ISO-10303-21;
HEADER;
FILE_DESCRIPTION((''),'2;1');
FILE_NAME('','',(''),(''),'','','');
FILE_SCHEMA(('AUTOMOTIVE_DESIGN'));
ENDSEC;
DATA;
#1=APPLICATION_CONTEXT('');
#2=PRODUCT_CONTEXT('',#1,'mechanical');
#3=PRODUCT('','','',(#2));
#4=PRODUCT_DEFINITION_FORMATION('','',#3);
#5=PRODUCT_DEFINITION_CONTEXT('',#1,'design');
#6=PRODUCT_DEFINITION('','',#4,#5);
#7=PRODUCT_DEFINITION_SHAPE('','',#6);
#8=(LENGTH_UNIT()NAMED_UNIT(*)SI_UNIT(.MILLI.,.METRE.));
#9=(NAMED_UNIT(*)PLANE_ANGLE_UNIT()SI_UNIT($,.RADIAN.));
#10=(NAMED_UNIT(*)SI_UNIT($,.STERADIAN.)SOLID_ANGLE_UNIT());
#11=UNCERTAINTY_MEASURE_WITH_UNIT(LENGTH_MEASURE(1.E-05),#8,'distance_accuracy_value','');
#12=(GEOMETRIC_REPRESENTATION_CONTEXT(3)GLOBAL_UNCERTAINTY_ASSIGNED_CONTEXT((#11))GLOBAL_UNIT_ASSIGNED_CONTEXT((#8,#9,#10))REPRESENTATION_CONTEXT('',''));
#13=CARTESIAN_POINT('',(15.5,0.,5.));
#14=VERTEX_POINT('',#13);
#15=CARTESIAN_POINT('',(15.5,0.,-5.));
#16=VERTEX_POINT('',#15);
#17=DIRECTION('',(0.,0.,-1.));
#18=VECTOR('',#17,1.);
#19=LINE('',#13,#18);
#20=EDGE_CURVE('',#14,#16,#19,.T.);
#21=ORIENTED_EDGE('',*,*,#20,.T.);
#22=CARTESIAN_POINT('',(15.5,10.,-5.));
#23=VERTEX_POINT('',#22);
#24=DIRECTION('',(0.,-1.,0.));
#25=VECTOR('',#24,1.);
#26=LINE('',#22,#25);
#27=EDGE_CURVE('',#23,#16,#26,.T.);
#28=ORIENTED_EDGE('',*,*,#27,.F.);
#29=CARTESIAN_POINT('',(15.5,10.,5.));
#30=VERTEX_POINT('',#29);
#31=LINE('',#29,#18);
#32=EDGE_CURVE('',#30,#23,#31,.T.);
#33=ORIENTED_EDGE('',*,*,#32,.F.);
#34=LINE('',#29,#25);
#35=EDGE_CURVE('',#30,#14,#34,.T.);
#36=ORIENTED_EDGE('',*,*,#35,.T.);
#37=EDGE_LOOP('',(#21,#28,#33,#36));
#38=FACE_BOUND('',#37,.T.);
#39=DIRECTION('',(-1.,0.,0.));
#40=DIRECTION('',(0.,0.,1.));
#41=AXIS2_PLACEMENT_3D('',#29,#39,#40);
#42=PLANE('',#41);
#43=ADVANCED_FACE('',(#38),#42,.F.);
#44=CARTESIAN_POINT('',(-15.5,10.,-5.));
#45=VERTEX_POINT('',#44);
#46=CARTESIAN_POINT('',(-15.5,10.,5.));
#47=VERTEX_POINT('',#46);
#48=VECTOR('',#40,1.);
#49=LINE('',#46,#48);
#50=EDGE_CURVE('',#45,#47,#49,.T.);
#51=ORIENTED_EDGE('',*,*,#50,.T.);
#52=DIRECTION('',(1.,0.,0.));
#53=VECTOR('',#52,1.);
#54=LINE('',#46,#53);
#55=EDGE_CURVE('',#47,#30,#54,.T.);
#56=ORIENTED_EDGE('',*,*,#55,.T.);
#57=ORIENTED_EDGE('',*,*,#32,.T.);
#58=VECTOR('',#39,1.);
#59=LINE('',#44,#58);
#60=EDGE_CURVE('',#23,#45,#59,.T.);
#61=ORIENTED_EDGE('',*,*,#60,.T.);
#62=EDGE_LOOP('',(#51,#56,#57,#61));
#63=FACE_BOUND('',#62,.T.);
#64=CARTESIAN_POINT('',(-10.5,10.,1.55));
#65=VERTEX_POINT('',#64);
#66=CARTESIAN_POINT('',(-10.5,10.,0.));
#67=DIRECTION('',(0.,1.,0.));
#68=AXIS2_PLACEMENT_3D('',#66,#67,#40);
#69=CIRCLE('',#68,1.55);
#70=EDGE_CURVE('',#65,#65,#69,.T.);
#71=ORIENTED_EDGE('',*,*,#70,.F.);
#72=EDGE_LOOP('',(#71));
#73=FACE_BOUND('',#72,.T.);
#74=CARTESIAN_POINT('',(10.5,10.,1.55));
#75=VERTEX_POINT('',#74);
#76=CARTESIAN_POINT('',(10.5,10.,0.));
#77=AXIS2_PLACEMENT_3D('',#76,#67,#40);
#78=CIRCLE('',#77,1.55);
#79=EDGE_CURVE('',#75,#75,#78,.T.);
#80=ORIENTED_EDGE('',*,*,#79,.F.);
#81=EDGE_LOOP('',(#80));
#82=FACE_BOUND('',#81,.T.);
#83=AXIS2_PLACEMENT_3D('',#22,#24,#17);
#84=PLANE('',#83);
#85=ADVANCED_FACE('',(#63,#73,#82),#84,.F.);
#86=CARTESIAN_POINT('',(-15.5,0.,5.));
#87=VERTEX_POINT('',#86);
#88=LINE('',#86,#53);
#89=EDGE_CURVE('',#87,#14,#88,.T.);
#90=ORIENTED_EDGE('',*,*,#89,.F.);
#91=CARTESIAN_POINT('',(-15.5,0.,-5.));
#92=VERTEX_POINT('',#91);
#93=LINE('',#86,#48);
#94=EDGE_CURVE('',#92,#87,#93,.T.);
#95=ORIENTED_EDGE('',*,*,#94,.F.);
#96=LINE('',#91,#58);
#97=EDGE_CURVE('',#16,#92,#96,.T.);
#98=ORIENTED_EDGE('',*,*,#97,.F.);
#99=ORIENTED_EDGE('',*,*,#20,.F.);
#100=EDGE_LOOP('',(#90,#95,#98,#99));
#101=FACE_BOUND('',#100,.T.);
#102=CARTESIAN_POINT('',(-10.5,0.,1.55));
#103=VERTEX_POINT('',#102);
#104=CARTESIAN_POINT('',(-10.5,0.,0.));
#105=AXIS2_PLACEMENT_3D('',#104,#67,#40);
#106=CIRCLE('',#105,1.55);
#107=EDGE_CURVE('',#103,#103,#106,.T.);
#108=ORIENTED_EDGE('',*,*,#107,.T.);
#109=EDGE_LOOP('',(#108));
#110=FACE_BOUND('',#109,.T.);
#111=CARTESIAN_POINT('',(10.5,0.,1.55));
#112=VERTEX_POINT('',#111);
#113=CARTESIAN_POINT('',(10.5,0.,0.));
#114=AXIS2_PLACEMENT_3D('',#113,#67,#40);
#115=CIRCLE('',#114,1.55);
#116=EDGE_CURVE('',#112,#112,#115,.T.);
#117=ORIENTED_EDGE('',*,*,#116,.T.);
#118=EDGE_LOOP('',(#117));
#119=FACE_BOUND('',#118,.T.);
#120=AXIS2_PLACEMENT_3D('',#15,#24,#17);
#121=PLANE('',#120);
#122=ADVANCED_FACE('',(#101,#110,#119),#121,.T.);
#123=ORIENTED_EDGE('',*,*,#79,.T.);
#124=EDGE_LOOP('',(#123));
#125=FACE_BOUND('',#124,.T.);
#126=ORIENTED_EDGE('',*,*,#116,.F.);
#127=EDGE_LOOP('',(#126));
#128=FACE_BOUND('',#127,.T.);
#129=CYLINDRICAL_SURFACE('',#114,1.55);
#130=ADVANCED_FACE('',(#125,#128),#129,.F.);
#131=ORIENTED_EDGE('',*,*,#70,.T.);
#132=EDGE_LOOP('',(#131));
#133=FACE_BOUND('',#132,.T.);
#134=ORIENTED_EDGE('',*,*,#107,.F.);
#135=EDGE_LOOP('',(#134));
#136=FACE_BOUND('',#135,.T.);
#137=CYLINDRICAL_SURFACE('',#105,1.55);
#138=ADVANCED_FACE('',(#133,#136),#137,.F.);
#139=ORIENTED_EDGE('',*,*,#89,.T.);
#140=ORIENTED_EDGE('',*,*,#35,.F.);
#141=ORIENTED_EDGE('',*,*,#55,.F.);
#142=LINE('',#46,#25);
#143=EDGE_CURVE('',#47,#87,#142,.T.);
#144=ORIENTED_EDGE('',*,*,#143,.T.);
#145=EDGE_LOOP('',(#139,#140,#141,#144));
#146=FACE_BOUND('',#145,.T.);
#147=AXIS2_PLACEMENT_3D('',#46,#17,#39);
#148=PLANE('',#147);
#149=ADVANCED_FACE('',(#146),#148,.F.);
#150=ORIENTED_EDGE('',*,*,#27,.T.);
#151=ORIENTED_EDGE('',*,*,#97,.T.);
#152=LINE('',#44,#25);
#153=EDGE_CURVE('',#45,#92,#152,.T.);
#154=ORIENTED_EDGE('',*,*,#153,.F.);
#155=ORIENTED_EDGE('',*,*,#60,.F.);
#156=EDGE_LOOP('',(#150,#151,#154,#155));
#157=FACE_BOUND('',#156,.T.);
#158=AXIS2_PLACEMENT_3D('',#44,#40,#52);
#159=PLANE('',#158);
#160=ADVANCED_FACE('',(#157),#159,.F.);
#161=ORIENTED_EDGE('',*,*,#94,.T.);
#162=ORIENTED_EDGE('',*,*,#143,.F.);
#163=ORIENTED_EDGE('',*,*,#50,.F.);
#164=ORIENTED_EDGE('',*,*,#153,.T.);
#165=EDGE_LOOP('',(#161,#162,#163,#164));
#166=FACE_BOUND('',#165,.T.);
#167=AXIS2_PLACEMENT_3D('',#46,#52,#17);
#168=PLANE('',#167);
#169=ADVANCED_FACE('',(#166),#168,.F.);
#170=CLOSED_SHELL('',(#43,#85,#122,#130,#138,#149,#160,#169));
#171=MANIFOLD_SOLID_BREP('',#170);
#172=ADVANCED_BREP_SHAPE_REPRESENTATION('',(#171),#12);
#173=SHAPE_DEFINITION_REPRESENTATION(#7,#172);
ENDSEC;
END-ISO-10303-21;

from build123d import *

# Parameters (mm, degrees)
SKETCH_1_W          = 31
SKETCH_1_H          = 10
EXTRUDE_1_DEPTH     = 10
SKETCH_2_R          = 1.55
CUT_EXTRUDE_1_DEPTH = 20.111514854


with BuildPart() as part:
    # ｽｹｯﾁ1 → ﾎﾞｽ - 押し出し1 (new body)
    with BuildSketch(Plane(origin=(0, 0, 0), x_dir=(1, 0, 0), z_dir=(0, 1, 0))):
        Rectangle(SKETCH_1_W, SKETCH_1_H)
    extrude(amount=EXTRUDE_1_DEPTH)

    # ｽｹｯﾁ2 → ｶｯﾄ - 押し出し1 (cut, through all)
    with BuildSketch(Plane(origin=(0, 10, 0), x_dir=(1, 0, 0), z_dir=(0, 1, 0))):
        with Locations(Location((-10.5, 0, 0), (0, 0, 270))):
            Circle(SKETCH_2_R)
        with Locations(Location((10.5, 0, 0), (0, 0, 270))):
            Circle(SKETCH_2_R)
    extrude(amount=-CUT_EXTRUDE_1_DEPTH, mode=Mode.SUBTRACT)


solid = part.part
